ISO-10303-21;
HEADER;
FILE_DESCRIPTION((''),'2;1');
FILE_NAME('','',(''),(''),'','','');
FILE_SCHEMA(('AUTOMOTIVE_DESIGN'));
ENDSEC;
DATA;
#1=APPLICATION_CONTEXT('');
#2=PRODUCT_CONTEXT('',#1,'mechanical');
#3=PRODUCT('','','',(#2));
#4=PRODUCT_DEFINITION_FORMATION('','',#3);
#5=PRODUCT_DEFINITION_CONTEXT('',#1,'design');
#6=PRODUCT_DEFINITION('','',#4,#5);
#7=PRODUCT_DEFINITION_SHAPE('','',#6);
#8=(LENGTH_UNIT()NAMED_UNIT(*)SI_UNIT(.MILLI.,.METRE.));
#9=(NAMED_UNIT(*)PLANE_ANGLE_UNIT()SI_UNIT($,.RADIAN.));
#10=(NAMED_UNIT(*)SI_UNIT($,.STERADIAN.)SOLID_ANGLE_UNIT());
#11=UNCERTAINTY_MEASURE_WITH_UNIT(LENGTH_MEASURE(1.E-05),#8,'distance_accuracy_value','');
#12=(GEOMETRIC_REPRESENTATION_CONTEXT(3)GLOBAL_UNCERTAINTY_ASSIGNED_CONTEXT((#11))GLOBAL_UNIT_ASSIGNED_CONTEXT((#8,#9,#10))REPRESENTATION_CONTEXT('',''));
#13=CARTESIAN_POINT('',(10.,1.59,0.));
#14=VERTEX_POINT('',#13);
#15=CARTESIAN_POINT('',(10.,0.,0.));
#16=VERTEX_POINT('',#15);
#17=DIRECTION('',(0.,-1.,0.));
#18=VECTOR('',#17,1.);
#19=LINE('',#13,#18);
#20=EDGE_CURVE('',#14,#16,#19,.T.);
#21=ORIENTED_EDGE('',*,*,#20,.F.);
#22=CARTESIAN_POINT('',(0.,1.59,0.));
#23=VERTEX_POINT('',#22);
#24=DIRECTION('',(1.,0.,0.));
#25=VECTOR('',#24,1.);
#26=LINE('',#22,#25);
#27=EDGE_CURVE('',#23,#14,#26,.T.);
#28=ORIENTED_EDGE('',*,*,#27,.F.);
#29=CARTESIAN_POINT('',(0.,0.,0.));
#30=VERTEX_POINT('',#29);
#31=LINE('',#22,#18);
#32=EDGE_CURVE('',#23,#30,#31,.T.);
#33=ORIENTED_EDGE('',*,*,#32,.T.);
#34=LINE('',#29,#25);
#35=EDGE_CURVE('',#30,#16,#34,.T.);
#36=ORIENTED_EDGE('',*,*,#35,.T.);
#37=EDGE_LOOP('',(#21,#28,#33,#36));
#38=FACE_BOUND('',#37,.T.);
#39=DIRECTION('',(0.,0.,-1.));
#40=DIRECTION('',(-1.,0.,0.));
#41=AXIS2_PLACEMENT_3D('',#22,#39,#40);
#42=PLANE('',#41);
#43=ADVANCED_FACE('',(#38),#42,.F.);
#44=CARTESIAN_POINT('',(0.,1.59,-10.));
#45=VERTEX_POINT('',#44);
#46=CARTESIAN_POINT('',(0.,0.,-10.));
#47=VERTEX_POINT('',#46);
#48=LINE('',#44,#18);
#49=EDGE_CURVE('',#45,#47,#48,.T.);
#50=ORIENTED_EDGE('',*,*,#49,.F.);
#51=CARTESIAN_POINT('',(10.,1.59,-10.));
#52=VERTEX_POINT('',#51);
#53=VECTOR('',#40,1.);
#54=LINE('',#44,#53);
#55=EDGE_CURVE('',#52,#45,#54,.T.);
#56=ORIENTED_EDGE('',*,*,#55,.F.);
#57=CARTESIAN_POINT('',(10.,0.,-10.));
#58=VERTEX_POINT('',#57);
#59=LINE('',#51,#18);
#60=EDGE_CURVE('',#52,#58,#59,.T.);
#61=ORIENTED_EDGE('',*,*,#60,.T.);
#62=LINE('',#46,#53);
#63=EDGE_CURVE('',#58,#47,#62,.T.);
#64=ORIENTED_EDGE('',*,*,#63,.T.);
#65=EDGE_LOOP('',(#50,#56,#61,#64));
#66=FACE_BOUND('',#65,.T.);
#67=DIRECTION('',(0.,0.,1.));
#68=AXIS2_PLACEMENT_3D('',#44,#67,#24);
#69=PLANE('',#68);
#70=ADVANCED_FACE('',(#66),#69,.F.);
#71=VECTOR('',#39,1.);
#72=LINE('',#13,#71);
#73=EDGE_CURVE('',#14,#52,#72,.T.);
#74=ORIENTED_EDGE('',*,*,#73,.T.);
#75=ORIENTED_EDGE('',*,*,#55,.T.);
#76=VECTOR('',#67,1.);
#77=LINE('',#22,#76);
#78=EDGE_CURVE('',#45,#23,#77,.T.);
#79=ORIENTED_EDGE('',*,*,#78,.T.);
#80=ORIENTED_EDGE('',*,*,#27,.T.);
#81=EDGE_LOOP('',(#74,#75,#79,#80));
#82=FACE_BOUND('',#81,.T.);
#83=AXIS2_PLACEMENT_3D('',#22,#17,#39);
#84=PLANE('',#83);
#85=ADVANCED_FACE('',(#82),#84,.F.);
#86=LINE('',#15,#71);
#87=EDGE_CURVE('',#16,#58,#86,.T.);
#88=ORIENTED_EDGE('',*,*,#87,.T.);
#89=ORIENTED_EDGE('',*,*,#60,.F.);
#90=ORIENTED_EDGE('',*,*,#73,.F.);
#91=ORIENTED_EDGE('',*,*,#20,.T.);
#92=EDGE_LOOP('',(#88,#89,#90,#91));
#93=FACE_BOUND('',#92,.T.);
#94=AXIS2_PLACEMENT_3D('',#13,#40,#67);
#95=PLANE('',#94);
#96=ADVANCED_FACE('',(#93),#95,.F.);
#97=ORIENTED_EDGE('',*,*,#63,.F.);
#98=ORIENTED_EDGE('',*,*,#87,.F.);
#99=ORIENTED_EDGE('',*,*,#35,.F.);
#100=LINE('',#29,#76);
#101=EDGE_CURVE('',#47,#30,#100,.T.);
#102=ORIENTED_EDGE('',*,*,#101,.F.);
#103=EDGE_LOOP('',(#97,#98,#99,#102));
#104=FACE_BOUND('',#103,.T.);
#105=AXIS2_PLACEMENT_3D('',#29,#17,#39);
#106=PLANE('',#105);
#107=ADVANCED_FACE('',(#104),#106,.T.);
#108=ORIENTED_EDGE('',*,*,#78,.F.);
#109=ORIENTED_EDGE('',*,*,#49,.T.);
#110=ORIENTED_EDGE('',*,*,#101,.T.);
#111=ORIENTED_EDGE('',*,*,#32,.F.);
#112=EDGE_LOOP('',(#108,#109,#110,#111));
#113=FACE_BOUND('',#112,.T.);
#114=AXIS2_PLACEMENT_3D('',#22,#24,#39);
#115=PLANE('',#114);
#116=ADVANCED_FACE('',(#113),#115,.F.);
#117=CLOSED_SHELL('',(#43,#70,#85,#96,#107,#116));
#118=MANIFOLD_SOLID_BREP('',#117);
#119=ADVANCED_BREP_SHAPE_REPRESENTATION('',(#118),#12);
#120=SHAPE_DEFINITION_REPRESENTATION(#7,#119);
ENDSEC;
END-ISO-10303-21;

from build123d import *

# Parameters (mm, degrees)
SKETCH3_W           = 10
SKETCH3_H           = 10
BOSS_EXTRUDE1_DEPTH = 1.59


with BuildPart() as part:
    # Sketch3 → Boss-Extrude1 (new body)
    with BuildSketch(Plane(origin=(0, 0, 0), x_dir=(1, 0, 0), z_dir=(0, 1, 0))):
        with Locations((5, 5)):
            Rectangle(SKETCH3_W, SKETCH3_H)
    extrude(amount=BOSS_EXTRUDE1_DEPTH)


solid = part.part
